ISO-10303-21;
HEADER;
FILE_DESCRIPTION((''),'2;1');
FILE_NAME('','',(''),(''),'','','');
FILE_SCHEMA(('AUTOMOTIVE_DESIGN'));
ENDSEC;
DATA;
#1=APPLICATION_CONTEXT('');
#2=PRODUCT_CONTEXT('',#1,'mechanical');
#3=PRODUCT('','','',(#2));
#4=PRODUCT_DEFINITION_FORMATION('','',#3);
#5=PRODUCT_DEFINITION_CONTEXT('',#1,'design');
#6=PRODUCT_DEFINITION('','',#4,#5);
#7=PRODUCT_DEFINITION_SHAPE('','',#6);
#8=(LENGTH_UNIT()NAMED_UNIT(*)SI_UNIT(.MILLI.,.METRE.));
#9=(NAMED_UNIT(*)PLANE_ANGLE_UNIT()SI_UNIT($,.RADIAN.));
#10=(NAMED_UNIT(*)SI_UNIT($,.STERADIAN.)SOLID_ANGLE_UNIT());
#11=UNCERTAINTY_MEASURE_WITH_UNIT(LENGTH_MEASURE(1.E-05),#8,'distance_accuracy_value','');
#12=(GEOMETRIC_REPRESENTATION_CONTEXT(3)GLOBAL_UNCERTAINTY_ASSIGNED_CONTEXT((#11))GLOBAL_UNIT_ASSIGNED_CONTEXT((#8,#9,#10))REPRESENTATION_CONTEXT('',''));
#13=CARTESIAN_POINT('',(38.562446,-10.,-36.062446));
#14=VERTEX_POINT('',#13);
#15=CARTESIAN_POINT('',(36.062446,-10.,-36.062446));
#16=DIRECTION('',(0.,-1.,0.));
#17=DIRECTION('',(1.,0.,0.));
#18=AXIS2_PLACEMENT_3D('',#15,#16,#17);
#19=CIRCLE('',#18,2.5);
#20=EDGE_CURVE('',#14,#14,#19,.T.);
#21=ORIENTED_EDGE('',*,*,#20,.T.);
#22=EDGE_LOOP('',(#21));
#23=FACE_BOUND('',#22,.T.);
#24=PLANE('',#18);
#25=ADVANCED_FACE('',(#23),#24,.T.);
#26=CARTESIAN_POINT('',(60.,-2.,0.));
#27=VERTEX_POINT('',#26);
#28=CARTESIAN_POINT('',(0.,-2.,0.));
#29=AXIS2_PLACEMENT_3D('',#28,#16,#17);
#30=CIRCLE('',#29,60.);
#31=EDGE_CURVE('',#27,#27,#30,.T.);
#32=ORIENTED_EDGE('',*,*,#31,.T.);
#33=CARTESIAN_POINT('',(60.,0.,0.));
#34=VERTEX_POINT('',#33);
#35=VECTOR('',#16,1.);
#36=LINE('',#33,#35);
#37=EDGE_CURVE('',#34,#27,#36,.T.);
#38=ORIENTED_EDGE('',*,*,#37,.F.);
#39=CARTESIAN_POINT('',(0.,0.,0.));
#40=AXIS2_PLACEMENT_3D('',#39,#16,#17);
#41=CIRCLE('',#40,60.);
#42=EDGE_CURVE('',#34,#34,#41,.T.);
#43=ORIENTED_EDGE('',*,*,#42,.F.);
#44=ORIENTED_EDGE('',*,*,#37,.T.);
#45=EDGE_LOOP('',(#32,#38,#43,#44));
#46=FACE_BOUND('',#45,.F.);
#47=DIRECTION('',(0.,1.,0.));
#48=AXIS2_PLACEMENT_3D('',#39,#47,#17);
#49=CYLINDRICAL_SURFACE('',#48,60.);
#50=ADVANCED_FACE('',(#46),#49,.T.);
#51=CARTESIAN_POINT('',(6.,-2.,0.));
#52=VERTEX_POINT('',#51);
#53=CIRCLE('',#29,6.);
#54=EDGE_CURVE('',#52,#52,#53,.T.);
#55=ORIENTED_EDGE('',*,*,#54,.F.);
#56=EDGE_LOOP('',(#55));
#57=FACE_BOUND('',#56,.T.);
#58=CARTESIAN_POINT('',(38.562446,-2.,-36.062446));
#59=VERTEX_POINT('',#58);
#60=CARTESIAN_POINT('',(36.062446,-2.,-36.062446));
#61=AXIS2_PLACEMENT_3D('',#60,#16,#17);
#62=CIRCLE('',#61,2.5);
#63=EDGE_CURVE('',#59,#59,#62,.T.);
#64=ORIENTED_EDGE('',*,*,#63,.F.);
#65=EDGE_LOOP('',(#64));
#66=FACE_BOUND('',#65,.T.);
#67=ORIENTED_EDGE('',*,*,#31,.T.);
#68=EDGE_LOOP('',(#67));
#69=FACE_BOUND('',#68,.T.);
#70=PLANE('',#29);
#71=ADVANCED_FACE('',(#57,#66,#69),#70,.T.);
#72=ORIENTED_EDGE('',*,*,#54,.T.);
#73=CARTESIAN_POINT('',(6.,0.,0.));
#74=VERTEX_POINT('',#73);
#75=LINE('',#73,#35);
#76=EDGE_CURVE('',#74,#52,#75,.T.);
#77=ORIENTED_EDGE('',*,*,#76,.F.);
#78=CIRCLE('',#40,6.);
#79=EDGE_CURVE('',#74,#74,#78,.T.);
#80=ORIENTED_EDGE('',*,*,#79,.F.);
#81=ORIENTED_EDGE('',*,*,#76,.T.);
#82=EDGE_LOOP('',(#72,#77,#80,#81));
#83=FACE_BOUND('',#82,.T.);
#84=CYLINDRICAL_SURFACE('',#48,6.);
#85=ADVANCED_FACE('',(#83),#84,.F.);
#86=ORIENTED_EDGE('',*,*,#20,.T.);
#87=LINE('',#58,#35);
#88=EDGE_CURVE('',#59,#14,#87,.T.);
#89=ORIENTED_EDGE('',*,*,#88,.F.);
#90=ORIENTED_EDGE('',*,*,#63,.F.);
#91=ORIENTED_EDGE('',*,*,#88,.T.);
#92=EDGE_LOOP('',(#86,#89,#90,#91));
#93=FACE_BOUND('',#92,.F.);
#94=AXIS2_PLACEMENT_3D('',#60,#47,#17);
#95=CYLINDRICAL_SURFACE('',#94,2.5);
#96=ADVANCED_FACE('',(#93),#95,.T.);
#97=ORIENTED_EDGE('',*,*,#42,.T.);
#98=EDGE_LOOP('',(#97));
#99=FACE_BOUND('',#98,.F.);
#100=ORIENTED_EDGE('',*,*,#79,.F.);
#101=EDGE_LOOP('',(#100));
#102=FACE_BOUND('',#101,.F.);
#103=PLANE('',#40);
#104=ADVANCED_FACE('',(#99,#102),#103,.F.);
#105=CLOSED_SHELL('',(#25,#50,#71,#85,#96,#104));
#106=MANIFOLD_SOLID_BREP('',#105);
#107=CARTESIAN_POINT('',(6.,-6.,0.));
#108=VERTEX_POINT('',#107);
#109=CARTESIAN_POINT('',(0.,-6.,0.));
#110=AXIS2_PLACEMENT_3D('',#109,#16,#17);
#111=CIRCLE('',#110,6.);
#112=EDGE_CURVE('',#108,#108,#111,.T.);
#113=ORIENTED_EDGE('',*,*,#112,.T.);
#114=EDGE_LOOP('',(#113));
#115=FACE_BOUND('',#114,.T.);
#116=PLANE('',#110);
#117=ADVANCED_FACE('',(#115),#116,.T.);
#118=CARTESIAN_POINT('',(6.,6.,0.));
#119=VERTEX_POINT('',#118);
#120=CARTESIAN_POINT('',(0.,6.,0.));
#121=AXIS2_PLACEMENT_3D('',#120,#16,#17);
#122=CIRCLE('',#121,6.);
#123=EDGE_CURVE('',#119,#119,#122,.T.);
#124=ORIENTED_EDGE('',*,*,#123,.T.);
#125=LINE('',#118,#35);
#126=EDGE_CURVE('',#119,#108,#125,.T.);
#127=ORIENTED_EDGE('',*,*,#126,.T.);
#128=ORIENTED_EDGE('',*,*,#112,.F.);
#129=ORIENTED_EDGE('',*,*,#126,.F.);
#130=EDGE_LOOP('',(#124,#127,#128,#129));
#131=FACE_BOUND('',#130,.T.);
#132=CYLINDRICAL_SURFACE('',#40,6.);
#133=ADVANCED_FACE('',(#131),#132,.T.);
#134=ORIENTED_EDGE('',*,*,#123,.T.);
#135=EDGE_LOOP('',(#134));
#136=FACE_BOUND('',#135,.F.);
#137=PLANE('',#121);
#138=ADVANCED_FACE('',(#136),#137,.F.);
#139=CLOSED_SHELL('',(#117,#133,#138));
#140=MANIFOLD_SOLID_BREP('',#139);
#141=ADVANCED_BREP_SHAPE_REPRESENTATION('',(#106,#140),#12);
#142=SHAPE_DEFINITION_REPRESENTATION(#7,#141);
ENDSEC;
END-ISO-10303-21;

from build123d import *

# Parameters (mm, degrees)
F0_R     = 60
F0_R_2   = 6
F1_DEPTH = 2
F2_DEPTH = 6
F3_R     = 2.5
F4_DEPTH = 8


with BuildPart() as f1:
    # F0 (on Front) → F1 (new body)
    with BuildSketch(Plane.XZ):
        Circle(F0_R)
        Circle(F0_R_2, mode=Mode.SUBTRACT)
    extrude(amount=F1_DEPTH)

    # F3 (on face) → F4 (join)
    with BuildSketch(Plane.XZ.offset(2)):
        with Locations((36.062446, -36.062446)):
            Circle(F3_R)
    extrude(amount=F4_DEPTH)


with BuildPart() as f2:
    # F0 (on Front) → F2 (new body, symmetric)
    with BuildSketch(Plane.XZ):
        Circle(F0_R_2)
    extrude(amount=F2_DEPTH, both=True)


solid = Compound([f1.part, f2.part])
